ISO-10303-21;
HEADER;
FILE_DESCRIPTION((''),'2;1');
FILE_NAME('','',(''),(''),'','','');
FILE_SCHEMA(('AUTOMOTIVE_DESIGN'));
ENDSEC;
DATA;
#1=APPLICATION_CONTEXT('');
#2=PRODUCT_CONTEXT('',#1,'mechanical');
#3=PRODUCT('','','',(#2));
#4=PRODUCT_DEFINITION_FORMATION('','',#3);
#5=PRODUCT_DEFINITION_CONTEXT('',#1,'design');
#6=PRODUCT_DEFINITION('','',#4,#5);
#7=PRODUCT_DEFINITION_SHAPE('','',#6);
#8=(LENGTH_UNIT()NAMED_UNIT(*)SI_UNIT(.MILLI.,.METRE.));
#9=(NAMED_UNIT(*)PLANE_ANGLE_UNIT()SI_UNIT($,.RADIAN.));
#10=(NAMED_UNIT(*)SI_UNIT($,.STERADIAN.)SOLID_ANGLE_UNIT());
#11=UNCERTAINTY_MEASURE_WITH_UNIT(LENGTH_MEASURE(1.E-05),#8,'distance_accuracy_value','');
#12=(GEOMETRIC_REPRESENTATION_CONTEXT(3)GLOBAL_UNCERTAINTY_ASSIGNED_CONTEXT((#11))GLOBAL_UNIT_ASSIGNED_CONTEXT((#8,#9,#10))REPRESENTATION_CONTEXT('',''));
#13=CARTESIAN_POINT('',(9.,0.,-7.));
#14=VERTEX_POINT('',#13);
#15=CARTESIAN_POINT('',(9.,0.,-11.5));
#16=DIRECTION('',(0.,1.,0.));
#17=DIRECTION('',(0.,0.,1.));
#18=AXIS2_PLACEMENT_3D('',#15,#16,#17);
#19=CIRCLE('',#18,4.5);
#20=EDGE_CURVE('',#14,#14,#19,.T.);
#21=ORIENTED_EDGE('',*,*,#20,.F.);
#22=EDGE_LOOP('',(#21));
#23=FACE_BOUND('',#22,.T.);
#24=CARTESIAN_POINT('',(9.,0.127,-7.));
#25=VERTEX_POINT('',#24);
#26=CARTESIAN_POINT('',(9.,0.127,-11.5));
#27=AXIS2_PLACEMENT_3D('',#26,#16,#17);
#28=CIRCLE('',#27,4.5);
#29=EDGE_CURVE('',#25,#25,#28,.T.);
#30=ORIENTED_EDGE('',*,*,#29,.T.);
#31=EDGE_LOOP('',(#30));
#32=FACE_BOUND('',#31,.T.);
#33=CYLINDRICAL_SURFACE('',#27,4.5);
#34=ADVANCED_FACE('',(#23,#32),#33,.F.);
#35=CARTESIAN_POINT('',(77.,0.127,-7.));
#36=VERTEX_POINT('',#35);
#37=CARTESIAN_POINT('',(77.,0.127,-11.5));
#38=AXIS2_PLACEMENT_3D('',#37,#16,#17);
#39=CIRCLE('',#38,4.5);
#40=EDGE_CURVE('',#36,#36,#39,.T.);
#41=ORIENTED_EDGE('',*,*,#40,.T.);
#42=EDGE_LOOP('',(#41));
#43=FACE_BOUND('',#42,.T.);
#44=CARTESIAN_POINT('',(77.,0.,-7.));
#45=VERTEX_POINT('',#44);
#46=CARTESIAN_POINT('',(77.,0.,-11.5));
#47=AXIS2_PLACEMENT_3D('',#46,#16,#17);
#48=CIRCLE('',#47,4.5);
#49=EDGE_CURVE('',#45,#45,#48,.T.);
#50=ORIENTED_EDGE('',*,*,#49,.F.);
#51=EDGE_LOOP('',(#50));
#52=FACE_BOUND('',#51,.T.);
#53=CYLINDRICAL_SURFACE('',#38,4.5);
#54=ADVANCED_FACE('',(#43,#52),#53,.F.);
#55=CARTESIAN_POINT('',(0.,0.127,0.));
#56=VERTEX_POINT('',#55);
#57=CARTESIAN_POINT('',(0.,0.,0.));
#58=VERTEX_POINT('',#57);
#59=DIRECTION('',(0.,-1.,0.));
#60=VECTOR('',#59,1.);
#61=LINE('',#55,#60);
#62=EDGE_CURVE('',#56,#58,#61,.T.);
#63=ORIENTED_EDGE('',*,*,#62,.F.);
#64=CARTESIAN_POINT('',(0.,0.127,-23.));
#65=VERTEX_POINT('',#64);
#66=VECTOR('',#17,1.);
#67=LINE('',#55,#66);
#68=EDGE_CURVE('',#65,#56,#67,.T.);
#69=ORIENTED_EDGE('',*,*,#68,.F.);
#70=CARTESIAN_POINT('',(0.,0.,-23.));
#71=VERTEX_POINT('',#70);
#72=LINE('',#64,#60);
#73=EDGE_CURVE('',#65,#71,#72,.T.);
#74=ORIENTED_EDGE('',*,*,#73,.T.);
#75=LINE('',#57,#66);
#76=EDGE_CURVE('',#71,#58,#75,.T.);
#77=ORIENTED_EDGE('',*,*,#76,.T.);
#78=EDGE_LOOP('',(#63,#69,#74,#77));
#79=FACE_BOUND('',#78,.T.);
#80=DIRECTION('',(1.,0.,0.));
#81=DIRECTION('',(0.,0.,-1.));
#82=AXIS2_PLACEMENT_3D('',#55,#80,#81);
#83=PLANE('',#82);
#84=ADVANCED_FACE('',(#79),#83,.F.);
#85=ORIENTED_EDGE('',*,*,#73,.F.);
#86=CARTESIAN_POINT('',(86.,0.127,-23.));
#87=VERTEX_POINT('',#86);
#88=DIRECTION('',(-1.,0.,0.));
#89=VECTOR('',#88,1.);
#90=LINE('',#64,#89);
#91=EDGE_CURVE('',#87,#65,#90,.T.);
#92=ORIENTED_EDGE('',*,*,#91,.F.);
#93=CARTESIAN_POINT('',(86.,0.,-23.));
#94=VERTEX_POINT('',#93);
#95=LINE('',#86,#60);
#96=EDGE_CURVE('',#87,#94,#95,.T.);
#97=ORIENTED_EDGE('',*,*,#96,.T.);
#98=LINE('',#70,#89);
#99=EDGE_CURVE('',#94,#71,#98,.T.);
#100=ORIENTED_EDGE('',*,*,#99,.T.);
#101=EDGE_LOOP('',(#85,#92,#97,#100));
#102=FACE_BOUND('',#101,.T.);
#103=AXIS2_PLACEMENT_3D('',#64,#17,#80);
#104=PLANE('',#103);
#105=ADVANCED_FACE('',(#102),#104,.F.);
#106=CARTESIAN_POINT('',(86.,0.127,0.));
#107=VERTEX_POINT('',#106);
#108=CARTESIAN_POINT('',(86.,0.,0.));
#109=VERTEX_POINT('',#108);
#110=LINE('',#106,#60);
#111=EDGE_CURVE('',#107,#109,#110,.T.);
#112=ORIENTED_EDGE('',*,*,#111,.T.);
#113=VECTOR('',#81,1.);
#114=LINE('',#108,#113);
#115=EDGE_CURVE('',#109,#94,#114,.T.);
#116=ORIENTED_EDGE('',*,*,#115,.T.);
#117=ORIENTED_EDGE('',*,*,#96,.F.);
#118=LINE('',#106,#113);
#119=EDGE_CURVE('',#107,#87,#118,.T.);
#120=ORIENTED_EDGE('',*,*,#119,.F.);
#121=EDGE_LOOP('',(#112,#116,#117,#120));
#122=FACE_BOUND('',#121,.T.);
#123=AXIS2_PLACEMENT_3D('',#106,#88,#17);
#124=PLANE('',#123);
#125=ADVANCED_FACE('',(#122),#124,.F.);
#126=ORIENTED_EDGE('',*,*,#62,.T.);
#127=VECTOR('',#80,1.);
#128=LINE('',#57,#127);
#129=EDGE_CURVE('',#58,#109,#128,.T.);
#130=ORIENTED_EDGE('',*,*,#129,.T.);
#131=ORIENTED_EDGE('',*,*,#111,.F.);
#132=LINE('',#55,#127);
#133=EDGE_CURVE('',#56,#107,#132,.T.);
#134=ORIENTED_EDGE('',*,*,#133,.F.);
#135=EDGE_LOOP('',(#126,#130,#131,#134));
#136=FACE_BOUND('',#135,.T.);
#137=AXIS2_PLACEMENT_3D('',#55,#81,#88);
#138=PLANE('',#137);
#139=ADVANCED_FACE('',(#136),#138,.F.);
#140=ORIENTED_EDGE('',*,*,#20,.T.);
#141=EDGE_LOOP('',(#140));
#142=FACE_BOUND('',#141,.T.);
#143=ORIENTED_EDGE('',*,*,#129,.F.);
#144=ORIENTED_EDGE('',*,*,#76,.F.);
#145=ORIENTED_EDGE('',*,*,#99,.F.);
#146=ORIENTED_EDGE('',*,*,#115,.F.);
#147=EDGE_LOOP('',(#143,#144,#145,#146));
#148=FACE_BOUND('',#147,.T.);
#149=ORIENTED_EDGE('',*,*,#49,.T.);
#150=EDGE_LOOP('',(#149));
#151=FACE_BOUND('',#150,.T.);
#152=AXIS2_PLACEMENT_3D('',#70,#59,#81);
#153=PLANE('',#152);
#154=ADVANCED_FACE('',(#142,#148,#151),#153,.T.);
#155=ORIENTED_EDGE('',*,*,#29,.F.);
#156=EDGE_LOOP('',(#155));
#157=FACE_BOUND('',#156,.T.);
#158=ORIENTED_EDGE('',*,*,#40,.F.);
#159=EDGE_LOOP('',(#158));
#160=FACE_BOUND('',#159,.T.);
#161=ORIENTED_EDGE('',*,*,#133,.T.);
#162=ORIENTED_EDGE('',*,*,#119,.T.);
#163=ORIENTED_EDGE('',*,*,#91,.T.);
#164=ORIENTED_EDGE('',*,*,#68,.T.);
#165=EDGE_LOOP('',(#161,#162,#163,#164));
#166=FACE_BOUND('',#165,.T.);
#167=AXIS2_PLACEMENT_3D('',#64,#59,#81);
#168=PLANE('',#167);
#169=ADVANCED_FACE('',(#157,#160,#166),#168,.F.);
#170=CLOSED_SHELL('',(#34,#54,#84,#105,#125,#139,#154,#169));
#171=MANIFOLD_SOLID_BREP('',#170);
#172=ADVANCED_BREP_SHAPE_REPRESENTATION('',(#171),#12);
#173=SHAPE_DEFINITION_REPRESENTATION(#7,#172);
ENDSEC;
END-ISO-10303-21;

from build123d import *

# Parameters (mm, degrees)
SKETCH1_W                = 86
SKETCH1_H                = 23
EXTRUDE1_DEPTH           = 0.127
F_9_0_9_DIAMETER_HOLE1_D = 9


with BuildPart() as part:
    # Sketch1 → Extrude1 (new body)
    with BuildSketch(Plane(origin=(0, 0, 0), x_dir=(1, 0, 0), z_dir=(0, 1, 0))):
        with Locations((43, 11.5)):
            Rectangle(SKETCH1_W, SKETCH1_H)
    extrude(amount=EXTRUDE1_DEPTH)

    # Ø9.0 (9) Diameter Hole1 (through all)
    with Locations(Plane(origin=(0, 0.127, 0), x_dir=(-1, 0, 0), z_dir=(0, 1, 0))):
        with Locations((-9, -11.5), (-77, -11.5)):
            Hole(F_9_0_9_DIAMETER_HOLE1_D / 2)


solid = part.part
